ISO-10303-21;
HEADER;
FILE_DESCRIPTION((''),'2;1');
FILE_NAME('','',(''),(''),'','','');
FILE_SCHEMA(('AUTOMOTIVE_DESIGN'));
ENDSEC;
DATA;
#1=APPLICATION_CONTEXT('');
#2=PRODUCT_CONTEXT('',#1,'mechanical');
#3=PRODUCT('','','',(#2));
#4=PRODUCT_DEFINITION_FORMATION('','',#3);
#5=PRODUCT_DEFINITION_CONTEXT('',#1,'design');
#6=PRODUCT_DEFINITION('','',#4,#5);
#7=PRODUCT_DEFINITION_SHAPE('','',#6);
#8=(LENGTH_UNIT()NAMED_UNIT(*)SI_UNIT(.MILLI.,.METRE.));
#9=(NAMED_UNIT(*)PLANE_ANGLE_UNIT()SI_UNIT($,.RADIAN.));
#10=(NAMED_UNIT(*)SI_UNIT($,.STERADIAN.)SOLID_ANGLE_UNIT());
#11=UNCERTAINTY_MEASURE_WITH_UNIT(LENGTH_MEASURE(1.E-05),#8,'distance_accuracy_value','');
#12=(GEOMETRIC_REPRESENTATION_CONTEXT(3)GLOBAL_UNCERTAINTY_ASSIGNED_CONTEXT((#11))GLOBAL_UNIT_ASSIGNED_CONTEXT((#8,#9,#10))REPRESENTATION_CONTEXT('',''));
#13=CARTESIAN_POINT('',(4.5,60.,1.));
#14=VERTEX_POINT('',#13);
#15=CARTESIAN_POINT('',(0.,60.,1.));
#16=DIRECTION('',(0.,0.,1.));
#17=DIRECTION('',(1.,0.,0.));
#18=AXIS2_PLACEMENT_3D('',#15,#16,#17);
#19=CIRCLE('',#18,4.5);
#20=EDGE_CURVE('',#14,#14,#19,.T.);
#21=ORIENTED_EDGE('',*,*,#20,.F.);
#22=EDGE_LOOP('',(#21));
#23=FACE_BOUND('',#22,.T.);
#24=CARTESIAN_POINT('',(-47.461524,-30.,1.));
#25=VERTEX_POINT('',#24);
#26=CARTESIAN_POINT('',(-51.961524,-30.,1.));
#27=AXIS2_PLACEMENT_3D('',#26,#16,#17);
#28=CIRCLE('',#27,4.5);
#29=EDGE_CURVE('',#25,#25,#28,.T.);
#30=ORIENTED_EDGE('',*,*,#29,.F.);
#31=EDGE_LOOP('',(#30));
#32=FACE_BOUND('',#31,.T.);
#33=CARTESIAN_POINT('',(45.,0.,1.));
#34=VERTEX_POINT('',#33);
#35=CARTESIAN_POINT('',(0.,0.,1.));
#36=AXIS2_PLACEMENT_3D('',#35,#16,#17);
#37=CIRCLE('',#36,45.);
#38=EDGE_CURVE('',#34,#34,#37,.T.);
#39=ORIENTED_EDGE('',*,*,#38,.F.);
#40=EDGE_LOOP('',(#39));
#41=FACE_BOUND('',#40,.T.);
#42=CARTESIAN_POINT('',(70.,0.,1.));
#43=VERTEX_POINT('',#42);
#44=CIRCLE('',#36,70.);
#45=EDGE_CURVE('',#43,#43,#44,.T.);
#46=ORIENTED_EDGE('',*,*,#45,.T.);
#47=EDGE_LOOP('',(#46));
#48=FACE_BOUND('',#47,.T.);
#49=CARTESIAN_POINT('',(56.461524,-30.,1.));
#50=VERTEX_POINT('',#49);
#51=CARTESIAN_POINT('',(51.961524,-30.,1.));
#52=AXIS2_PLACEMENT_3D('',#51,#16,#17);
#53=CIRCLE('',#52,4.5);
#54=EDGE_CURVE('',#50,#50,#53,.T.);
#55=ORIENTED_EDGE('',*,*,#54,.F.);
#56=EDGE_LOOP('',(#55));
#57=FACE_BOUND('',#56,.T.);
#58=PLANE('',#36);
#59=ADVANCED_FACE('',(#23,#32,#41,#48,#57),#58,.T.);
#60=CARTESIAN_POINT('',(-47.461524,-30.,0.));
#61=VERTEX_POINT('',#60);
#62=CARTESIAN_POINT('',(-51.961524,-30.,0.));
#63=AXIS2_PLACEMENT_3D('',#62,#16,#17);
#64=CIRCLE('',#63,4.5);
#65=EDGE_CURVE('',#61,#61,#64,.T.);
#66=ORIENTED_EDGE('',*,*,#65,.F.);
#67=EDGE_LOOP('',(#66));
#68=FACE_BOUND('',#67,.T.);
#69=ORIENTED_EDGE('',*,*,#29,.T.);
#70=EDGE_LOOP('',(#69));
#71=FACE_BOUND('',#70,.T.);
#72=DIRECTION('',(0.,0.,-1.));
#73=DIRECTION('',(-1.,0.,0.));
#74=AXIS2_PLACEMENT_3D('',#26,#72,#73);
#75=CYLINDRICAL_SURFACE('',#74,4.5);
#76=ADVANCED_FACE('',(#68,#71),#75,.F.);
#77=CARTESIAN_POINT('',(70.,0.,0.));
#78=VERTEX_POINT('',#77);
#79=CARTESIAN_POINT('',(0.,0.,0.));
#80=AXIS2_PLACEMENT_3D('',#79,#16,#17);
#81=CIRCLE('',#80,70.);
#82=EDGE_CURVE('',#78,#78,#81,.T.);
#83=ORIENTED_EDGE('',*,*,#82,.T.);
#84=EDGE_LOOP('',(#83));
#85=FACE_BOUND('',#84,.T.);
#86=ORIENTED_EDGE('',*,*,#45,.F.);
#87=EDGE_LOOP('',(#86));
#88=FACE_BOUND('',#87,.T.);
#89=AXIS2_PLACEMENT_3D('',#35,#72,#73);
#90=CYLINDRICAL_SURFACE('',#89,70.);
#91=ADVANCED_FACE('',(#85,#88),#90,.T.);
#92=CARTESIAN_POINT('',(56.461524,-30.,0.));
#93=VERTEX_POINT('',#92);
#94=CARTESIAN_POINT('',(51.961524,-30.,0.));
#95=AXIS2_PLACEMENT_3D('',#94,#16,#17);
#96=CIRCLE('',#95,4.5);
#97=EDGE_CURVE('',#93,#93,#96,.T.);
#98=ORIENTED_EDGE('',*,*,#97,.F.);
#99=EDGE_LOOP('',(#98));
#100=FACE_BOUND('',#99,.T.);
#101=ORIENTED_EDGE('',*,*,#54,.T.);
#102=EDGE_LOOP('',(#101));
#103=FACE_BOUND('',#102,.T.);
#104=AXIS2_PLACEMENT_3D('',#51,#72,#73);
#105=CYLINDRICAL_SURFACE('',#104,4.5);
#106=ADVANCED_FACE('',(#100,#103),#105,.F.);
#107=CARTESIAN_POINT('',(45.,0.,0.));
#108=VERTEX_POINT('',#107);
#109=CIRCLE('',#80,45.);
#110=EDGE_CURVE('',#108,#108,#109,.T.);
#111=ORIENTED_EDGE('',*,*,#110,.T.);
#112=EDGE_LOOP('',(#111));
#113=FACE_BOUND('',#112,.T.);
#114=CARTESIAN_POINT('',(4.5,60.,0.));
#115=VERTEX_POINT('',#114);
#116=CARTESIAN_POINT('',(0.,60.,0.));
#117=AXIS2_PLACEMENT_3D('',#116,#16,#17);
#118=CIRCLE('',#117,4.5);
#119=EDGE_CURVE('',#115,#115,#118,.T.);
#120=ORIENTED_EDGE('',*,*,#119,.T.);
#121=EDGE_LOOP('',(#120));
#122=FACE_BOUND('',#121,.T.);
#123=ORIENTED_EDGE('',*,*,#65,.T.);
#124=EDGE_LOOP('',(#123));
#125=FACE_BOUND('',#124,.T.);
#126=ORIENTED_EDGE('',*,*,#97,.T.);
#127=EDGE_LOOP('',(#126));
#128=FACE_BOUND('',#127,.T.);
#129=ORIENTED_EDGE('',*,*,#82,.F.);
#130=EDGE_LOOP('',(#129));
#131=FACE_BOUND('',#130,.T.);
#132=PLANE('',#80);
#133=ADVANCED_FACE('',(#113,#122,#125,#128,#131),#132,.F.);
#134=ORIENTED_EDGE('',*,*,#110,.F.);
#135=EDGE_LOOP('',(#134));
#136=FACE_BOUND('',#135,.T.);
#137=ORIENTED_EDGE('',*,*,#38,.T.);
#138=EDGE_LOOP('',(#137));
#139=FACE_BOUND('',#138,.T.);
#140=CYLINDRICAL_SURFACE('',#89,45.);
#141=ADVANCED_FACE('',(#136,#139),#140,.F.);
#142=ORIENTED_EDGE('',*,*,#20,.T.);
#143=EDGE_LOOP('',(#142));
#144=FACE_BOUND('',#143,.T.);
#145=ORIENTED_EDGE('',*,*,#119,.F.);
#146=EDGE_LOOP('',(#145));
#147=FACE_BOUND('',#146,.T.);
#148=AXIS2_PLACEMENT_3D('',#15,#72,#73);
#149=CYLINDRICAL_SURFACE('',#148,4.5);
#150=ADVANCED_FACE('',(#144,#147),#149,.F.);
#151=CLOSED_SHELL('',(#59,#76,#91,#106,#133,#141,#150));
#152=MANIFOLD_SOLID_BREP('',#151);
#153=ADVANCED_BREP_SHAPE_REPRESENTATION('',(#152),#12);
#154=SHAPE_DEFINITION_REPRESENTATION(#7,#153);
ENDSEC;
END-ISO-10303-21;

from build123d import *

# Parameters (mm, degrees)
SCHIZZO1_R                   = 70
SCHIZZO1_R_2                 = 45
SCHIZZO1_R_3                 = 4.5
ESTRUSIONE_ESTRUSIONE1_DEPTH = 1


with BuildPart() as part:
    # Schizzo1 → Estrusione-Estrusione1 (new body)
    with BuildSketch(Plane.XY):
        Circle(SCHIZZO1_R)
        Circle(SCHIZZO1_R_2, mode=Mode.SUBTRACT)
        with Locations((0, 60)):
            Circle(SCHIZZO1_R_3, mode=Mode.SUBTRACT)
        with Locations((51.961524227, -30)):
            Circle(SCHIZZO1_R_3, mode=Mode.SUBTRACT)
        with Locations((-51.961524227, -30)):
            Circle(SCHIZZO1_R_3, mode=Mode.SUBTRACT)
    extrude(amount=ESTRUSIONE_ESTRUSIONE1_DEPTH)


solid = part.part
